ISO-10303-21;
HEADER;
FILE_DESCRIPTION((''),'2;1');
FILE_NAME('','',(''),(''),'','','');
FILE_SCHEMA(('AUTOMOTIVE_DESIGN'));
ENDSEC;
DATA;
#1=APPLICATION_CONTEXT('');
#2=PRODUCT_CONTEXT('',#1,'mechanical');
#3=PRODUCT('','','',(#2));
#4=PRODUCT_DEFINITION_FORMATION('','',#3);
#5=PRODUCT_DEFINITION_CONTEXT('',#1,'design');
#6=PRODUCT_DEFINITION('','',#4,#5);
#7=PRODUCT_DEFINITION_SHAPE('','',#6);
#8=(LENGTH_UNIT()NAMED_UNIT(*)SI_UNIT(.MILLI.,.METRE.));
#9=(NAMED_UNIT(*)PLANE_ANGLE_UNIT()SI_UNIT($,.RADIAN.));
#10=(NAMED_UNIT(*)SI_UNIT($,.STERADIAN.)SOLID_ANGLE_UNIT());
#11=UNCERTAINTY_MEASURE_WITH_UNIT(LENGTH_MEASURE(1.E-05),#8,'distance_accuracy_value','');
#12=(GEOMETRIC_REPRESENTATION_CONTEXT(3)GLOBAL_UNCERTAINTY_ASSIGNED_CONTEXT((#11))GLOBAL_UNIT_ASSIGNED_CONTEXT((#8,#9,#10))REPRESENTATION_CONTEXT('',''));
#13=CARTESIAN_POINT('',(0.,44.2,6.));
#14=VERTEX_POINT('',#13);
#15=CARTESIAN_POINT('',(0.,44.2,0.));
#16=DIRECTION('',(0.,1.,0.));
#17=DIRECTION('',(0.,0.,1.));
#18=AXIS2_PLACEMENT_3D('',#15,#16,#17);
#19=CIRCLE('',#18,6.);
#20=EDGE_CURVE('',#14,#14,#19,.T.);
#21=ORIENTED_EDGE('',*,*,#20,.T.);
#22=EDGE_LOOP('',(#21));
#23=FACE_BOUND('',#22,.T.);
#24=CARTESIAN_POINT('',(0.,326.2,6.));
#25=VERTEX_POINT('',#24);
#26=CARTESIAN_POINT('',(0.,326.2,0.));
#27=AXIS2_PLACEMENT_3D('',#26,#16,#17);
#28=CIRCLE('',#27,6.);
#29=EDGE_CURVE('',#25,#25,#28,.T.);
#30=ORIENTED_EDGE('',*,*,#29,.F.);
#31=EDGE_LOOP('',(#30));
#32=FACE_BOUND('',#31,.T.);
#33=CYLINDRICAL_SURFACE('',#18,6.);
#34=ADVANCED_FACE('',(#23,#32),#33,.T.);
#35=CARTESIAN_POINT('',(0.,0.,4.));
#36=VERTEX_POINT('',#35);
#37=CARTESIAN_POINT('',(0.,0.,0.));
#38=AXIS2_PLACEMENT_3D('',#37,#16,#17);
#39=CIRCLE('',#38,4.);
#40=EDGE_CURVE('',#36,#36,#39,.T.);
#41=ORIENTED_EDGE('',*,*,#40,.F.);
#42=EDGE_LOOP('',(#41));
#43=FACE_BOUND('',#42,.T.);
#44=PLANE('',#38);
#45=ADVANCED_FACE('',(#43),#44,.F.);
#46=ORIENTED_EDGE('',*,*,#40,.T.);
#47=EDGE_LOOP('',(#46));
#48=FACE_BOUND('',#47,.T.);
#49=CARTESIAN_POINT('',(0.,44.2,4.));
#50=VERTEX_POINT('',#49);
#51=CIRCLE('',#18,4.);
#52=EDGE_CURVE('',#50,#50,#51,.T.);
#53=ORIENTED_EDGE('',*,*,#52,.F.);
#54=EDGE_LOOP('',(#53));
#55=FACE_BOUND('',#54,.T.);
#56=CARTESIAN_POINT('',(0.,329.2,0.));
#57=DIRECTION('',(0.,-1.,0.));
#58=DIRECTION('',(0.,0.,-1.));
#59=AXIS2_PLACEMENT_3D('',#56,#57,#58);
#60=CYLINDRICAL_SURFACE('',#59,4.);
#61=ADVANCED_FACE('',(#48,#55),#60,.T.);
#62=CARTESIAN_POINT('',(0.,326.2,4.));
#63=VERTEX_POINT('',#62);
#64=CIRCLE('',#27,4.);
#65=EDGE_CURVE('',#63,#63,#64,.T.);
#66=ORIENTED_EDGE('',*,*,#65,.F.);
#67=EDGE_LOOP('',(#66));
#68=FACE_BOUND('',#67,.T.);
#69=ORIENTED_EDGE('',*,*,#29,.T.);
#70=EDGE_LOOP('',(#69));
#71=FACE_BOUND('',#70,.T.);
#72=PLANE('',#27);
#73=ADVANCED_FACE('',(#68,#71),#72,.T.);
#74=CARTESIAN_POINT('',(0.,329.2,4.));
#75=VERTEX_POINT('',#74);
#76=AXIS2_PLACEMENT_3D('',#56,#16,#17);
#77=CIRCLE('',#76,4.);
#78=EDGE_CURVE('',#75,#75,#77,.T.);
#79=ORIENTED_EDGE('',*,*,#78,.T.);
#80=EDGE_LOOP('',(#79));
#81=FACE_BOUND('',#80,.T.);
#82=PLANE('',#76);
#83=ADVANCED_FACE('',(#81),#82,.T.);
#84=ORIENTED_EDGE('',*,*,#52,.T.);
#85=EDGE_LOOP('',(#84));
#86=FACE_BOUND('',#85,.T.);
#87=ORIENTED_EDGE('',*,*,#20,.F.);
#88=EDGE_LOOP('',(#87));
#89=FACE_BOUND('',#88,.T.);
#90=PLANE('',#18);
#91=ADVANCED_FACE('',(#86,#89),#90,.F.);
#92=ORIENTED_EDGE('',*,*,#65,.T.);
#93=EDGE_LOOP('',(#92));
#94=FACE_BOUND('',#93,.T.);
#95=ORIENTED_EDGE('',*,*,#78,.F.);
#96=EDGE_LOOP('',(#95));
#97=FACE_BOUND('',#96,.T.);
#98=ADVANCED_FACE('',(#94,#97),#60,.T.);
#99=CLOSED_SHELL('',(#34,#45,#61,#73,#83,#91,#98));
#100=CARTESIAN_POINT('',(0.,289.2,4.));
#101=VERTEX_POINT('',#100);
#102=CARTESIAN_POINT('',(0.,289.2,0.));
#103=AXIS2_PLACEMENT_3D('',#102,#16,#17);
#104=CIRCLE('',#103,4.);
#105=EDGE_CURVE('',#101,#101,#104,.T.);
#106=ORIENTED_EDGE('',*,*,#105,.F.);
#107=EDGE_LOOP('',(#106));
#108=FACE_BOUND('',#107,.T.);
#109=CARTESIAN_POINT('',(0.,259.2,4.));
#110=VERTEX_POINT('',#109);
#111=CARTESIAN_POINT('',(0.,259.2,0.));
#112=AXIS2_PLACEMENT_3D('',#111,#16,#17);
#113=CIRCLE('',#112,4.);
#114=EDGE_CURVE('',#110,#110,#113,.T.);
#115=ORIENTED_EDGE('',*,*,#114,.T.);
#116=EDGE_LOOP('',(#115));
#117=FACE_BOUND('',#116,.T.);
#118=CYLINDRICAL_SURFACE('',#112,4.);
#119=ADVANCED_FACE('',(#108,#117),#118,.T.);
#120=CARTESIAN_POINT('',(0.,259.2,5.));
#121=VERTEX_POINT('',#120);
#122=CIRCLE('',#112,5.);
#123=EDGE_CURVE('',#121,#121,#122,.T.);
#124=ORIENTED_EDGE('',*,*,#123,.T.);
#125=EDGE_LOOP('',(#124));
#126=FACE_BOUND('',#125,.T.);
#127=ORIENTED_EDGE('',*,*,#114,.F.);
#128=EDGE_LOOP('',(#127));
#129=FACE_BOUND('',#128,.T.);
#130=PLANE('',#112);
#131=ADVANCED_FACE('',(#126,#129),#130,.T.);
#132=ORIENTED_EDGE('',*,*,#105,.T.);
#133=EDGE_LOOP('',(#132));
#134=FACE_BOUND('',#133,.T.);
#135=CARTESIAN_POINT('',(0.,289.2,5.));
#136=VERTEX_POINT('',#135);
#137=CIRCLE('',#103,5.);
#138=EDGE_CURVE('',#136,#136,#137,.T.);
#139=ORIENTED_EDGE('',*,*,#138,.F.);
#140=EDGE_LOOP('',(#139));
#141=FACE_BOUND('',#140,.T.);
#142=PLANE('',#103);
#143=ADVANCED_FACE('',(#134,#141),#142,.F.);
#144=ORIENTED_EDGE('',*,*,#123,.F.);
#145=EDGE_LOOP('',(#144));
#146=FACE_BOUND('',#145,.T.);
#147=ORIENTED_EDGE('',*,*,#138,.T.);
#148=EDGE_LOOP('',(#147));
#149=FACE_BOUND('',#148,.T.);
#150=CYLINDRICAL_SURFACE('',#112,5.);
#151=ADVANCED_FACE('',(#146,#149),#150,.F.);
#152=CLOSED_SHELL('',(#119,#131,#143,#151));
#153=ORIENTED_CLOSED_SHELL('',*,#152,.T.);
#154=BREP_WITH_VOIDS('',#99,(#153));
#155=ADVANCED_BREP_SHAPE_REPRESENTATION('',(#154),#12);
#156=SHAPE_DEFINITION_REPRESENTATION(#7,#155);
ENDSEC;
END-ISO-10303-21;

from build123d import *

# Parameters (mm, degrees)
SKETCH1_R           = 4
BOSS_EXTRUDE1_DEPTH = 329.2
SKETCH2_R           = 6
BOSS_EXTRUDE2_DEPTH = 282
SKETCH4_R           = 5
SKETCH4_R_2         = 4
CUT_EXTRUDE1_DEPTH  = 30


with BuildPart() as part:
    # Sketch1 → Boss-Extrude1 (new body)
    with BuildSketch(Plane(origin=(0, 0, 0), x_dir=(1, 0, 0), z_dir=(0, 1, 0))):
        Circle(SKETCH1_R)
    extrude(amount=BOSS_EXTRUDE1_DEPTH)

    # Sketch2 → Boss-Extrude2 (add)
    with BuildSketch(Plane(origin=(0, 326.2, 0), x_dir=(1, 0, 0), z_dir=(0, 1, 0))):
        Circle(SKETCH2_R)
    extrude(amount=-BOSS_EXTRUDE2_DEPTH)

    # Sketch4 → Cut-Extrude1 (cut)
    with BuildSketch(Plane(origin=(0, 289.2, 0), x_dir=(1, 0, 0), z_dir=(0, 1, 0))):
        Circle(SKETCH4_R)
        Circle(SKETCH4_R_2, mode=Mode.SUBTRACT)
    extrude(amount=-CUT_EXTRUDE1_DEPTH, mode=Mode.SUBTRACT)


solid = part.part
